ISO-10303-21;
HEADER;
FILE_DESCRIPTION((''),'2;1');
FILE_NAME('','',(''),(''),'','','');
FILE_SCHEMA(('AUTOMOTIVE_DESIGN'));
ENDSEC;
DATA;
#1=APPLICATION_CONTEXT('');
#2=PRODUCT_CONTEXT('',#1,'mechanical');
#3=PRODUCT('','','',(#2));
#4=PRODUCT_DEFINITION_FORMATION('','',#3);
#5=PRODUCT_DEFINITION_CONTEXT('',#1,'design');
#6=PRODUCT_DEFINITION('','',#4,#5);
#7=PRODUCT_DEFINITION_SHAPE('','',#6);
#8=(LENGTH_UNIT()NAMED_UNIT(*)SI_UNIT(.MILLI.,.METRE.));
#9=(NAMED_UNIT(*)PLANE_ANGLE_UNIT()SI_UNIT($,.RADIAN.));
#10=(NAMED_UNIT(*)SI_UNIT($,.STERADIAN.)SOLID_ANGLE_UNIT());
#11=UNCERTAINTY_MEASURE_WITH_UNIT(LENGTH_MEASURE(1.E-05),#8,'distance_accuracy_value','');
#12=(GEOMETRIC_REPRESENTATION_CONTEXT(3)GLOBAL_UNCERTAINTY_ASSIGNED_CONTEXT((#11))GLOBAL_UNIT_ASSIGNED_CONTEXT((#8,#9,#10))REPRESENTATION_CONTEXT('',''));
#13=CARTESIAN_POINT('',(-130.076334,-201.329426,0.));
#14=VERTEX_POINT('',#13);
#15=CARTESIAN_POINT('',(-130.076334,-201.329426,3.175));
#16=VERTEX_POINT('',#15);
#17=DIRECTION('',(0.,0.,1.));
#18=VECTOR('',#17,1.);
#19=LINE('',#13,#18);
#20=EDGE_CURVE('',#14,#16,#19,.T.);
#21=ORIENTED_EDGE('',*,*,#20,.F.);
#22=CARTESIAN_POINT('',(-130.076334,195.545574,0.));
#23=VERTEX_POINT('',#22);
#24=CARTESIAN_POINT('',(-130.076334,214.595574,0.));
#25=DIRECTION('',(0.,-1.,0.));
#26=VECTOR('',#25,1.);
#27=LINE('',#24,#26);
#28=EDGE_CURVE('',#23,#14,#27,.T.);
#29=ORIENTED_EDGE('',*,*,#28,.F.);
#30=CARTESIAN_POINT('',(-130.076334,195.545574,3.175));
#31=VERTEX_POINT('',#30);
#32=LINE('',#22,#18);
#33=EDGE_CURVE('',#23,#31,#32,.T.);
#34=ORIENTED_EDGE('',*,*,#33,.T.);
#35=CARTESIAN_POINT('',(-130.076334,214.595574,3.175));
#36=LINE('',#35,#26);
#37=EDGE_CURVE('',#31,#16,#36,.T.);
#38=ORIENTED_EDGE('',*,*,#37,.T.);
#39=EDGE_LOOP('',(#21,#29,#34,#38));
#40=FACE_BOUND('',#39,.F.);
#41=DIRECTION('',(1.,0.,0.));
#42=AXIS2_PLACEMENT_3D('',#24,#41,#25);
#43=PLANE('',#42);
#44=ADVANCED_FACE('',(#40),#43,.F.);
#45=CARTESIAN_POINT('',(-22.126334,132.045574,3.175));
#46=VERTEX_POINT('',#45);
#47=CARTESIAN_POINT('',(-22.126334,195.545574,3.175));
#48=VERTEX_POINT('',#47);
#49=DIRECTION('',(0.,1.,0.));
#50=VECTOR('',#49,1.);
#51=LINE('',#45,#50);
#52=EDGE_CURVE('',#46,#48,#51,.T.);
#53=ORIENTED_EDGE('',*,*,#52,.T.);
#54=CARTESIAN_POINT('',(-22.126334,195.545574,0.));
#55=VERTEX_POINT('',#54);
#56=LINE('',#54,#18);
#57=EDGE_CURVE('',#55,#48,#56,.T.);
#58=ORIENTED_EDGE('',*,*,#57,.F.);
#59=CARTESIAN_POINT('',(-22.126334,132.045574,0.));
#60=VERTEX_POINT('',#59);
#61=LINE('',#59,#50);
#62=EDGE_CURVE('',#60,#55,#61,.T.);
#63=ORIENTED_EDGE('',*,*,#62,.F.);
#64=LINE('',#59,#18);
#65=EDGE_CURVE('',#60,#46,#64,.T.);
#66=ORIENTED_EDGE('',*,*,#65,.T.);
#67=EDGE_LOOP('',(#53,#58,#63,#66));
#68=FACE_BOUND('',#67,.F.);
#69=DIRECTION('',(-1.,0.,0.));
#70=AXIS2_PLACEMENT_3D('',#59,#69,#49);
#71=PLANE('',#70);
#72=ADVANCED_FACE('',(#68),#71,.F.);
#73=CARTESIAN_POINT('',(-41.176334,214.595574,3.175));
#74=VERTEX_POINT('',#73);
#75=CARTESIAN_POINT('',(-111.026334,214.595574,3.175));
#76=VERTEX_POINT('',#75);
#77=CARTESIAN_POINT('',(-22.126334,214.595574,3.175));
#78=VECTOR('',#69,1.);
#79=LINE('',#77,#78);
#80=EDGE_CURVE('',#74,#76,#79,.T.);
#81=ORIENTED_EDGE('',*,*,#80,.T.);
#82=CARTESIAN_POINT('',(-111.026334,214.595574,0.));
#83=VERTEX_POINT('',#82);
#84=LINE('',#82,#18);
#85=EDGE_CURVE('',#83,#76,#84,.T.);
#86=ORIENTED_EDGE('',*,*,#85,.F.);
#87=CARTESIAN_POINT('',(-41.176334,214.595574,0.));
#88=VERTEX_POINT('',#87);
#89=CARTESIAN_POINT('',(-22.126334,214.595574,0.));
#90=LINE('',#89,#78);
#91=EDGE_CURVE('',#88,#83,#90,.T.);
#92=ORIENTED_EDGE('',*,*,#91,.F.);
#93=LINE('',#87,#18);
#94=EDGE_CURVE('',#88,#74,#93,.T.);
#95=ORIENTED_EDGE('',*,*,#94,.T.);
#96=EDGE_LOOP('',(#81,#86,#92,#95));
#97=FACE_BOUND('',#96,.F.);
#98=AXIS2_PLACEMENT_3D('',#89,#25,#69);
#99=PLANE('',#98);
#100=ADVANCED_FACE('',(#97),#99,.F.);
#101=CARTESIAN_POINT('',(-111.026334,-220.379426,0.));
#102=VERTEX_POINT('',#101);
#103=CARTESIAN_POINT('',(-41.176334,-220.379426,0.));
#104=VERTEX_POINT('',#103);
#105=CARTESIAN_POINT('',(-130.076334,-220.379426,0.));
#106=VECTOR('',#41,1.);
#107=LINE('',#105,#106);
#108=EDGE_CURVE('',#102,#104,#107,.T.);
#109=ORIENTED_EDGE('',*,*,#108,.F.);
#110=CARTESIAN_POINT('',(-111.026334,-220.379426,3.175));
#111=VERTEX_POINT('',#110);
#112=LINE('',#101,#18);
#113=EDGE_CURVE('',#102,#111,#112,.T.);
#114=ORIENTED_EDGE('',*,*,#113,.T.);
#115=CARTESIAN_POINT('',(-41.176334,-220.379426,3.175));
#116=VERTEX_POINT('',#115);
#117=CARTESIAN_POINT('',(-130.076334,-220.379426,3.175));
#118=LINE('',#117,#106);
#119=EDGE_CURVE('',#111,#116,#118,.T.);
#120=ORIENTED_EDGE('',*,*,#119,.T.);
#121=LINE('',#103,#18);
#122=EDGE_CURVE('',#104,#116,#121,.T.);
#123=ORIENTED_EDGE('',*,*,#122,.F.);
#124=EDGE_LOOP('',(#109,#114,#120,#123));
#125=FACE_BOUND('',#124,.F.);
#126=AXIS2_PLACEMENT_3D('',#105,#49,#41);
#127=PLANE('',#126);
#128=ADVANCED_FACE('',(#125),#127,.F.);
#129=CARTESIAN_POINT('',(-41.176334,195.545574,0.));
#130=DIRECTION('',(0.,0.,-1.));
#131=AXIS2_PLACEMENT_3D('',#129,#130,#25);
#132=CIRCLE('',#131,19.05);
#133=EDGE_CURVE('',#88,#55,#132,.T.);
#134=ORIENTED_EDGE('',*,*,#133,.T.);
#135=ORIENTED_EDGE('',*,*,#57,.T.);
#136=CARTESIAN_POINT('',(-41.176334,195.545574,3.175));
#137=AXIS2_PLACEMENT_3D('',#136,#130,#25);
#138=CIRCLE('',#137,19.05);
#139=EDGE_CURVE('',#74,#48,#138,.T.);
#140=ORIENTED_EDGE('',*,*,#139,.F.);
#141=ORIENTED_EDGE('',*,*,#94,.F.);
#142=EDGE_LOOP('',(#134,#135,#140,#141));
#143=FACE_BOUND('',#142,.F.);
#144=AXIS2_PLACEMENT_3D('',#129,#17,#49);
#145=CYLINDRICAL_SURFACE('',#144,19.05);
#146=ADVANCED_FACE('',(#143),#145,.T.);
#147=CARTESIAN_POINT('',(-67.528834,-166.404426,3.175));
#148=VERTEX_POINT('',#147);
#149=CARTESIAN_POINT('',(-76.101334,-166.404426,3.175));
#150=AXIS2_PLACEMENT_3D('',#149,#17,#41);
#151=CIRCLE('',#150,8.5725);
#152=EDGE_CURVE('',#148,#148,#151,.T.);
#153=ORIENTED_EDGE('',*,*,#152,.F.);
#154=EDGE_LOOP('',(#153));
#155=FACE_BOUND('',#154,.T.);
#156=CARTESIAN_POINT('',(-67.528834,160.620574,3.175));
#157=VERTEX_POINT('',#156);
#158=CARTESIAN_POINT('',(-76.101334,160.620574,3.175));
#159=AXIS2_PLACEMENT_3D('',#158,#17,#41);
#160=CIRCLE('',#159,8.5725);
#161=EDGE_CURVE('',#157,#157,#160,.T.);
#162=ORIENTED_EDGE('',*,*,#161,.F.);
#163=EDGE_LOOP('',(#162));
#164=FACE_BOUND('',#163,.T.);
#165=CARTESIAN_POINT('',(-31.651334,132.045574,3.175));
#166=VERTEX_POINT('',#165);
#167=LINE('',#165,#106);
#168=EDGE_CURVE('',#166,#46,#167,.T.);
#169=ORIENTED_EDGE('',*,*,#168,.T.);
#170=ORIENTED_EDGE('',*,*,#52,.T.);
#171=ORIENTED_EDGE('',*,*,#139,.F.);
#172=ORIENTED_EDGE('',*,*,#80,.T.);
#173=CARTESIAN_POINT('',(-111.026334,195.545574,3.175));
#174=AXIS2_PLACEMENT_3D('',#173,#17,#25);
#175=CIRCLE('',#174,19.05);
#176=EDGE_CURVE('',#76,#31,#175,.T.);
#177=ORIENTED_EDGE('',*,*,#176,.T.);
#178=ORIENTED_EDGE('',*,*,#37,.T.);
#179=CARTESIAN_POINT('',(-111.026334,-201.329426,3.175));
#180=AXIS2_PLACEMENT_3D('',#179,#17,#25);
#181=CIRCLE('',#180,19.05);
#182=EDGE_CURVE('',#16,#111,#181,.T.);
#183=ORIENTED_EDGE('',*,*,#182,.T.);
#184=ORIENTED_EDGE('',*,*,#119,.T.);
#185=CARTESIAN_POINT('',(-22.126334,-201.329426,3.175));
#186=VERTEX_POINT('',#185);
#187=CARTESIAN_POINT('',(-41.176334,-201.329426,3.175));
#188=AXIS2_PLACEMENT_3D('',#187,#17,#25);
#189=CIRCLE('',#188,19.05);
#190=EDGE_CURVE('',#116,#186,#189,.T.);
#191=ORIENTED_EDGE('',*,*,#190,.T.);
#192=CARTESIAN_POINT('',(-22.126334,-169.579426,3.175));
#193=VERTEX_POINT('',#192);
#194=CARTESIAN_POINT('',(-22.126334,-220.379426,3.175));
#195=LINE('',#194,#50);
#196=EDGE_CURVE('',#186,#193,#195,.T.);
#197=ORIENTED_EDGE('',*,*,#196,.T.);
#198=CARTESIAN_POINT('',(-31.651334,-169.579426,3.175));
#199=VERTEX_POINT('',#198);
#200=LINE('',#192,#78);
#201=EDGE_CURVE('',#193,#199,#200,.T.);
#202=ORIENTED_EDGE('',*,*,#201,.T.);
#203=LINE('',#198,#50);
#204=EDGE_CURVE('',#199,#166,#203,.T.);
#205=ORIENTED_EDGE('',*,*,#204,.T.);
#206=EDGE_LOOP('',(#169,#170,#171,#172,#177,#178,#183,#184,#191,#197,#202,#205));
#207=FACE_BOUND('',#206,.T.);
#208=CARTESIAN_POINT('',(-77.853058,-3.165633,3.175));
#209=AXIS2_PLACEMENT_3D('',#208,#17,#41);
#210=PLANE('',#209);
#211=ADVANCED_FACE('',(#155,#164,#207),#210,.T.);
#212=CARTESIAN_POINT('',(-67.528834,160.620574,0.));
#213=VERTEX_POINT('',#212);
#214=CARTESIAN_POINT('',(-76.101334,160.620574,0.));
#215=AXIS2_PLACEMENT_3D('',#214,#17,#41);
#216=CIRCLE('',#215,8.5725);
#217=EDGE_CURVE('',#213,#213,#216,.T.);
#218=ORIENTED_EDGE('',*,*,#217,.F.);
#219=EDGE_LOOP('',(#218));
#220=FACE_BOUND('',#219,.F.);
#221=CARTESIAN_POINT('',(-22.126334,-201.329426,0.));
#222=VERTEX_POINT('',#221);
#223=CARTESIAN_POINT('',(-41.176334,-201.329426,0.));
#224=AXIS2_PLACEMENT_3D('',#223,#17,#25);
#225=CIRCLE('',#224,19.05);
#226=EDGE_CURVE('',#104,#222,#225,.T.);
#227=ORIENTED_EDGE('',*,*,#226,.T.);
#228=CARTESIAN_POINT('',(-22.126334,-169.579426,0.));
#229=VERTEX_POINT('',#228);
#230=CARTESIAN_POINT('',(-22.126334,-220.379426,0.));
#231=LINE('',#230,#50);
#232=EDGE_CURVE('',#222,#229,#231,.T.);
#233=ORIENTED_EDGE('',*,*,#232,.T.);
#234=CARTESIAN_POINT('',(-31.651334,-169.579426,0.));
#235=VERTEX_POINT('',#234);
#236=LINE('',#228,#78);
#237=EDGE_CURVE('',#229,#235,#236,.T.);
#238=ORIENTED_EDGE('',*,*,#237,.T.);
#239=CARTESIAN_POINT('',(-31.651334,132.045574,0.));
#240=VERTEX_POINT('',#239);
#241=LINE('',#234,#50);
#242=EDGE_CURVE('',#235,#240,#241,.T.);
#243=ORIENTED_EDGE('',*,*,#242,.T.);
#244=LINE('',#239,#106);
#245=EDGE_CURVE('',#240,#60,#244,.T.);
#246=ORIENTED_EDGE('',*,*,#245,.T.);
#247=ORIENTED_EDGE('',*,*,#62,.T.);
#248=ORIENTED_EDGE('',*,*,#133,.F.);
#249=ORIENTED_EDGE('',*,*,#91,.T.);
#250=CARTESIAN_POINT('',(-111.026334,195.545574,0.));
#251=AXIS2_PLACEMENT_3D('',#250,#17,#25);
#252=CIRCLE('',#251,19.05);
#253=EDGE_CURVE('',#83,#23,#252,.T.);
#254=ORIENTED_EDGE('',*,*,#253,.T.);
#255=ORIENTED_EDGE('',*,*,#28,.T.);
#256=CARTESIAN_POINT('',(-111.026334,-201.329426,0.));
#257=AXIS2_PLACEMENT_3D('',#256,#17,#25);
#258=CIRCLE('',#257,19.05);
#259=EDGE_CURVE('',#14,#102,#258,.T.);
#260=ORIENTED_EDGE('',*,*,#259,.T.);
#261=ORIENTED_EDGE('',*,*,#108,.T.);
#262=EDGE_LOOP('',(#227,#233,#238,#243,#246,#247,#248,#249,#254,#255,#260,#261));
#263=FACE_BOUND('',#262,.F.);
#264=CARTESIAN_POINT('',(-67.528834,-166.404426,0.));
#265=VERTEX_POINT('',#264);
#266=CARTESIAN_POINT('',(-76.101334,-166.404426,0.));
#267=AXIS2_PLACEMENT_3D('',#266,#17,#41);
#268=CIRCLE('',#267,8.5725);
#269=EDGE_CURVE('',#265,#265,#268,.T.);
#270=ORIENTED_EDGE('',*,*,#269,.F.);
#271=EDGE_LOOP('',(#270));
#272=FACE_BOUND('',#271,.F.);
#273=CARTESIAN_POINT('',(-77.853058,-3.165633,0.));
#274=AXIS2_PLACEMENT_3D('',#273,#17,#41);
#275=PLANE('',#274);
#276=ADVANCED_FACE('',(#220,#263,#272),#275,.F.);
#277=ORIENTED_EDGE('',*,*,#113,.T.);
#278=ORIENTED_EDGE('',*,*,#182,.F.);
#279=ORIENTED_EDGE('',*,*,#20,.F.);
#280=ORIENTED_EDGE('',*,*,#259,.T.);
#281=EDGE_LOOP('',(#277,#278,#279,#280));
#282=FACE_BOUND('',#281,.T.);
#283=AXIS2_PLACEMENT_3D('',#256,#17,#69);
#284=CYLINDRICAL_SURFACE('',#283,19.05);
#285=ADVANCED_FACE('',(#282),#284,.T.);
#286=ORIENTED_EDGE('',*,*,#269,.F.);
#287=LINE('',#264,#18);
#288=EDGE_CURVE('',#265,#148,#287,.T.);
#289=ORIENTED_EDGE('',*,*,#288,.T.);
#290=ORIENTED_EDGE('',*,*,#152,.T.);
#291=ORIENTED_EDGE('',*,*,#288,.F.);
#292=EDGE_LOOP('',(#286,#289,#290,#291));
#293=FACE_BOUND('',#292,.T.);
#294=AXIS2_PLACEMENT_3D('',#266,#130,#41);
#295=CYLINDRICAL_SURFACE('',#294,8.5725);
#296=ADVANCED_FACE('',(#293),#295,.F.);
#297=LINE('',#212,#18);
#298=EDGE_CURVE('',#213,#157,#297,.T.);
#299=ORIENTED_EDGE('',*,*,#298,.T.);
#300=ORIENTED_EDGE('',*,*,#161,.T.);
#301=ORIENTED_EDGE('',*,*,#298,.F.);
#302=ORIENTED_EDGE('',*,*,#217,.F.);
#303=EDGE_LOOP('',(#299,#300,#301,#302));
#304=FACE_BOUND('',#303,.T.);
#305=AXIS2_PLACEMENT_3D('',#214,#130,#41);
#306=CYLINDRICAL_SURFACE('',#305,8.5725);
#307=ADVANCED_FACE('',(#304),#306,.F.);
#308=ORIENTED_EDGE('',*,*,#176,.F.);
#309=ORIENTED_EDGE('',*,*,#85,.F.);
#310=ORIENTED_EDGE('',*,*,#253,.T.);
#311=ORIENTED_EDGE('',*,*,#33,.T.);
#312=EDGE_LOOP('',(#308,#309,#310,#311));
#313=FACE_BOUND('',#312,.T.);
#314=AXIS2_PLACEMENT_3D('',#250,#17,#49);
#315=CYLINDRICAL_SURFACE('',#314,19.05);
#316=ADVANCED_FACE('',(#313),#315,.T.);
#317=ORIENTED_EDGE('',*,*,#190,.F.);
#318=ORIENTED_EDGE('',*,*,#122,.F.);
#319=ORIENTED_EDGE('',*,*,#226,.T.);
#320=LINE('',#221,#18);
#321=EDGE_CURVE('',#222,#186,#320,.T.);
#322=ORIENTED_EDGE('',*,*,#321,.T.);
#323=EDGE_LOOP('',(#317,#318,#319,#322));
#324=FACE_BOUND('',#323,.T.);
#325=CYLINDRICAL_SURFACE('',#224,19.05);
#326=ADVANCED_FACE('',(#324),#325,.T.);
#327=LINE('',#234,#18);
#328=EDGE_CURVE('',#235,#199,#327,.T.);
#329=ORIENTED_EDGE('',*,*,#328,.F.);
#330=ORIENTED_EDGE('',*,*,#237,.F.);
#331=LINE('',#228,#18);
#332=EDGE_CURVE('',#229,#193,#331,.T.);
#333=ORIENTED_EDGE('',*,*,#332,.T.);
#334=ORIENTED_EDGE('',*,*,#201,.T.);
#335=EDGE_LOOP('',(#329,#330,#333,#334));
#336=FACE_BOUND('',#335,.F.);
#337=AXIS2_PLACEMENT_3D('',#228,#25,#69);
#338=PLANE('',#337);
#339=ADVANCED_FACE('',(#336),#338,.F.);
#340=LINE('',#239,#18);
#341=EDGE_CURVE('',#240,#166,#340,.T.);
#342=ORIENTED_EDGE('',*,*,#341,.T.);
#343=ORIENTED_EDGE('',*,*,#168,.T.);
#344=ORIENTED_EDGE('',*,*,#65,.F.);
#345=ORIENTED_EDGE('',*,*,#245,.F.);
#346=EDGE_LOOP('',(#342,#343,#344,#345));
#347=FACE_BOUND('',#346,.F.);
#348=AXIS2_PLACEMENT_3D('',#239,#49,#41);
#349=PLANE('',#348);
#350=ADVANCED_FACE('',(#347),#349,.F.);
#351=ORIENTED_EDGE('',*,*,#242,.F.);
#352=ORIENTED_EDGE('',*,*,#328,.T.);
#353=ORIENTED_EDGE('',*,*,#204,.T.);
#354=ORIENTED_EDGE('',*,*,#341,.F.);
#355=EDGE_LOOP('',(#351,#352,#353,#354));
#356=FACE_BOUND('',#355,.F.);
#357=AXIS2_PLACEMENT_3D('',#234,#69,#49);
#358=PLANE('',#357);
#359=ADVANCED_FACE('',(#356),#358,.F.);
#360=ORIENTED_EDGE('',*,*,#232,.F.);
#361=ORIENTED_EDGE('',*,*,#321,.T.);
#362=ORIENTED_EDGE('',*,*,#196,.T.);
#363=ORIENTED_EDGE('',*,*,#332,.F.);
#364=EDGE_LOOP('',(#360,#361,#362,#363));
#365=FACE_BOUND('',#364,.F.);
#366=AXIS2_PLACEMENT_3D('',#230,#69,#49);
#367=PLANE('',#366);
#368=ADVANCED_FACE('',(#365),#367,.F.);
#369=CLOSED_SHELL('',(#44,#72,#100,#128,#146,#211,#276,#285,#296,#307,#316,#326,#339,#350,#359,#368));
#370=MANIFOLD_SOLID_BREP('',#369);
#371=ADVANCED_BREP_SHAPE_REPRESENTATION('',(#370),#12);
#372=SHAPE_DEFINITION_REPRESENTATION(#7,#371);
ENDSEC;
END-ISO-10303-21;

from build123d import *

# Parameters (mm, degrees)
F0_R     = 8.5725
F1_DEPTH = 3.175
F2_R     = 19.05


with BuildPart() as f1:
    # F0 (on Top) → F1 (new body)
    with BuildSketch(Plane.XY):
        Polygon((-22.126334, 214.595574), (-130.076334, 214.595574), (-130.076334, -220.379426), (-22.126334, -220.379426), (-22.126334, -169.579426), (-31.651334, -169.579426), (-31.651334, 132.045574), (-22.126334, 132.045574), align=None)
        with Locations((-76.101334, -166.404426)):
            Circle(F0_R, mode=Mode.SUBTRACT)
        with Locations((-76.101334, 160.620574)):
            Circle(F0_R, mode=Mode.SUBTRACT)
    extrude(amount=F1_DEPTH)

    # F2
    f2_edges = [f1.edges().sort_by_distance(p)[0] for p in [
        (-130.076334, -220.379426, 1.5875),
        (-22.126334, -220.379426, 1.5875),
        (-130.076334, 214.595574, 1.5875),
        (-22.126334, 214.595574, 1.5875),
    ]]
    fillet(f2_edges, radius=F2_R)


solid = f1.part
